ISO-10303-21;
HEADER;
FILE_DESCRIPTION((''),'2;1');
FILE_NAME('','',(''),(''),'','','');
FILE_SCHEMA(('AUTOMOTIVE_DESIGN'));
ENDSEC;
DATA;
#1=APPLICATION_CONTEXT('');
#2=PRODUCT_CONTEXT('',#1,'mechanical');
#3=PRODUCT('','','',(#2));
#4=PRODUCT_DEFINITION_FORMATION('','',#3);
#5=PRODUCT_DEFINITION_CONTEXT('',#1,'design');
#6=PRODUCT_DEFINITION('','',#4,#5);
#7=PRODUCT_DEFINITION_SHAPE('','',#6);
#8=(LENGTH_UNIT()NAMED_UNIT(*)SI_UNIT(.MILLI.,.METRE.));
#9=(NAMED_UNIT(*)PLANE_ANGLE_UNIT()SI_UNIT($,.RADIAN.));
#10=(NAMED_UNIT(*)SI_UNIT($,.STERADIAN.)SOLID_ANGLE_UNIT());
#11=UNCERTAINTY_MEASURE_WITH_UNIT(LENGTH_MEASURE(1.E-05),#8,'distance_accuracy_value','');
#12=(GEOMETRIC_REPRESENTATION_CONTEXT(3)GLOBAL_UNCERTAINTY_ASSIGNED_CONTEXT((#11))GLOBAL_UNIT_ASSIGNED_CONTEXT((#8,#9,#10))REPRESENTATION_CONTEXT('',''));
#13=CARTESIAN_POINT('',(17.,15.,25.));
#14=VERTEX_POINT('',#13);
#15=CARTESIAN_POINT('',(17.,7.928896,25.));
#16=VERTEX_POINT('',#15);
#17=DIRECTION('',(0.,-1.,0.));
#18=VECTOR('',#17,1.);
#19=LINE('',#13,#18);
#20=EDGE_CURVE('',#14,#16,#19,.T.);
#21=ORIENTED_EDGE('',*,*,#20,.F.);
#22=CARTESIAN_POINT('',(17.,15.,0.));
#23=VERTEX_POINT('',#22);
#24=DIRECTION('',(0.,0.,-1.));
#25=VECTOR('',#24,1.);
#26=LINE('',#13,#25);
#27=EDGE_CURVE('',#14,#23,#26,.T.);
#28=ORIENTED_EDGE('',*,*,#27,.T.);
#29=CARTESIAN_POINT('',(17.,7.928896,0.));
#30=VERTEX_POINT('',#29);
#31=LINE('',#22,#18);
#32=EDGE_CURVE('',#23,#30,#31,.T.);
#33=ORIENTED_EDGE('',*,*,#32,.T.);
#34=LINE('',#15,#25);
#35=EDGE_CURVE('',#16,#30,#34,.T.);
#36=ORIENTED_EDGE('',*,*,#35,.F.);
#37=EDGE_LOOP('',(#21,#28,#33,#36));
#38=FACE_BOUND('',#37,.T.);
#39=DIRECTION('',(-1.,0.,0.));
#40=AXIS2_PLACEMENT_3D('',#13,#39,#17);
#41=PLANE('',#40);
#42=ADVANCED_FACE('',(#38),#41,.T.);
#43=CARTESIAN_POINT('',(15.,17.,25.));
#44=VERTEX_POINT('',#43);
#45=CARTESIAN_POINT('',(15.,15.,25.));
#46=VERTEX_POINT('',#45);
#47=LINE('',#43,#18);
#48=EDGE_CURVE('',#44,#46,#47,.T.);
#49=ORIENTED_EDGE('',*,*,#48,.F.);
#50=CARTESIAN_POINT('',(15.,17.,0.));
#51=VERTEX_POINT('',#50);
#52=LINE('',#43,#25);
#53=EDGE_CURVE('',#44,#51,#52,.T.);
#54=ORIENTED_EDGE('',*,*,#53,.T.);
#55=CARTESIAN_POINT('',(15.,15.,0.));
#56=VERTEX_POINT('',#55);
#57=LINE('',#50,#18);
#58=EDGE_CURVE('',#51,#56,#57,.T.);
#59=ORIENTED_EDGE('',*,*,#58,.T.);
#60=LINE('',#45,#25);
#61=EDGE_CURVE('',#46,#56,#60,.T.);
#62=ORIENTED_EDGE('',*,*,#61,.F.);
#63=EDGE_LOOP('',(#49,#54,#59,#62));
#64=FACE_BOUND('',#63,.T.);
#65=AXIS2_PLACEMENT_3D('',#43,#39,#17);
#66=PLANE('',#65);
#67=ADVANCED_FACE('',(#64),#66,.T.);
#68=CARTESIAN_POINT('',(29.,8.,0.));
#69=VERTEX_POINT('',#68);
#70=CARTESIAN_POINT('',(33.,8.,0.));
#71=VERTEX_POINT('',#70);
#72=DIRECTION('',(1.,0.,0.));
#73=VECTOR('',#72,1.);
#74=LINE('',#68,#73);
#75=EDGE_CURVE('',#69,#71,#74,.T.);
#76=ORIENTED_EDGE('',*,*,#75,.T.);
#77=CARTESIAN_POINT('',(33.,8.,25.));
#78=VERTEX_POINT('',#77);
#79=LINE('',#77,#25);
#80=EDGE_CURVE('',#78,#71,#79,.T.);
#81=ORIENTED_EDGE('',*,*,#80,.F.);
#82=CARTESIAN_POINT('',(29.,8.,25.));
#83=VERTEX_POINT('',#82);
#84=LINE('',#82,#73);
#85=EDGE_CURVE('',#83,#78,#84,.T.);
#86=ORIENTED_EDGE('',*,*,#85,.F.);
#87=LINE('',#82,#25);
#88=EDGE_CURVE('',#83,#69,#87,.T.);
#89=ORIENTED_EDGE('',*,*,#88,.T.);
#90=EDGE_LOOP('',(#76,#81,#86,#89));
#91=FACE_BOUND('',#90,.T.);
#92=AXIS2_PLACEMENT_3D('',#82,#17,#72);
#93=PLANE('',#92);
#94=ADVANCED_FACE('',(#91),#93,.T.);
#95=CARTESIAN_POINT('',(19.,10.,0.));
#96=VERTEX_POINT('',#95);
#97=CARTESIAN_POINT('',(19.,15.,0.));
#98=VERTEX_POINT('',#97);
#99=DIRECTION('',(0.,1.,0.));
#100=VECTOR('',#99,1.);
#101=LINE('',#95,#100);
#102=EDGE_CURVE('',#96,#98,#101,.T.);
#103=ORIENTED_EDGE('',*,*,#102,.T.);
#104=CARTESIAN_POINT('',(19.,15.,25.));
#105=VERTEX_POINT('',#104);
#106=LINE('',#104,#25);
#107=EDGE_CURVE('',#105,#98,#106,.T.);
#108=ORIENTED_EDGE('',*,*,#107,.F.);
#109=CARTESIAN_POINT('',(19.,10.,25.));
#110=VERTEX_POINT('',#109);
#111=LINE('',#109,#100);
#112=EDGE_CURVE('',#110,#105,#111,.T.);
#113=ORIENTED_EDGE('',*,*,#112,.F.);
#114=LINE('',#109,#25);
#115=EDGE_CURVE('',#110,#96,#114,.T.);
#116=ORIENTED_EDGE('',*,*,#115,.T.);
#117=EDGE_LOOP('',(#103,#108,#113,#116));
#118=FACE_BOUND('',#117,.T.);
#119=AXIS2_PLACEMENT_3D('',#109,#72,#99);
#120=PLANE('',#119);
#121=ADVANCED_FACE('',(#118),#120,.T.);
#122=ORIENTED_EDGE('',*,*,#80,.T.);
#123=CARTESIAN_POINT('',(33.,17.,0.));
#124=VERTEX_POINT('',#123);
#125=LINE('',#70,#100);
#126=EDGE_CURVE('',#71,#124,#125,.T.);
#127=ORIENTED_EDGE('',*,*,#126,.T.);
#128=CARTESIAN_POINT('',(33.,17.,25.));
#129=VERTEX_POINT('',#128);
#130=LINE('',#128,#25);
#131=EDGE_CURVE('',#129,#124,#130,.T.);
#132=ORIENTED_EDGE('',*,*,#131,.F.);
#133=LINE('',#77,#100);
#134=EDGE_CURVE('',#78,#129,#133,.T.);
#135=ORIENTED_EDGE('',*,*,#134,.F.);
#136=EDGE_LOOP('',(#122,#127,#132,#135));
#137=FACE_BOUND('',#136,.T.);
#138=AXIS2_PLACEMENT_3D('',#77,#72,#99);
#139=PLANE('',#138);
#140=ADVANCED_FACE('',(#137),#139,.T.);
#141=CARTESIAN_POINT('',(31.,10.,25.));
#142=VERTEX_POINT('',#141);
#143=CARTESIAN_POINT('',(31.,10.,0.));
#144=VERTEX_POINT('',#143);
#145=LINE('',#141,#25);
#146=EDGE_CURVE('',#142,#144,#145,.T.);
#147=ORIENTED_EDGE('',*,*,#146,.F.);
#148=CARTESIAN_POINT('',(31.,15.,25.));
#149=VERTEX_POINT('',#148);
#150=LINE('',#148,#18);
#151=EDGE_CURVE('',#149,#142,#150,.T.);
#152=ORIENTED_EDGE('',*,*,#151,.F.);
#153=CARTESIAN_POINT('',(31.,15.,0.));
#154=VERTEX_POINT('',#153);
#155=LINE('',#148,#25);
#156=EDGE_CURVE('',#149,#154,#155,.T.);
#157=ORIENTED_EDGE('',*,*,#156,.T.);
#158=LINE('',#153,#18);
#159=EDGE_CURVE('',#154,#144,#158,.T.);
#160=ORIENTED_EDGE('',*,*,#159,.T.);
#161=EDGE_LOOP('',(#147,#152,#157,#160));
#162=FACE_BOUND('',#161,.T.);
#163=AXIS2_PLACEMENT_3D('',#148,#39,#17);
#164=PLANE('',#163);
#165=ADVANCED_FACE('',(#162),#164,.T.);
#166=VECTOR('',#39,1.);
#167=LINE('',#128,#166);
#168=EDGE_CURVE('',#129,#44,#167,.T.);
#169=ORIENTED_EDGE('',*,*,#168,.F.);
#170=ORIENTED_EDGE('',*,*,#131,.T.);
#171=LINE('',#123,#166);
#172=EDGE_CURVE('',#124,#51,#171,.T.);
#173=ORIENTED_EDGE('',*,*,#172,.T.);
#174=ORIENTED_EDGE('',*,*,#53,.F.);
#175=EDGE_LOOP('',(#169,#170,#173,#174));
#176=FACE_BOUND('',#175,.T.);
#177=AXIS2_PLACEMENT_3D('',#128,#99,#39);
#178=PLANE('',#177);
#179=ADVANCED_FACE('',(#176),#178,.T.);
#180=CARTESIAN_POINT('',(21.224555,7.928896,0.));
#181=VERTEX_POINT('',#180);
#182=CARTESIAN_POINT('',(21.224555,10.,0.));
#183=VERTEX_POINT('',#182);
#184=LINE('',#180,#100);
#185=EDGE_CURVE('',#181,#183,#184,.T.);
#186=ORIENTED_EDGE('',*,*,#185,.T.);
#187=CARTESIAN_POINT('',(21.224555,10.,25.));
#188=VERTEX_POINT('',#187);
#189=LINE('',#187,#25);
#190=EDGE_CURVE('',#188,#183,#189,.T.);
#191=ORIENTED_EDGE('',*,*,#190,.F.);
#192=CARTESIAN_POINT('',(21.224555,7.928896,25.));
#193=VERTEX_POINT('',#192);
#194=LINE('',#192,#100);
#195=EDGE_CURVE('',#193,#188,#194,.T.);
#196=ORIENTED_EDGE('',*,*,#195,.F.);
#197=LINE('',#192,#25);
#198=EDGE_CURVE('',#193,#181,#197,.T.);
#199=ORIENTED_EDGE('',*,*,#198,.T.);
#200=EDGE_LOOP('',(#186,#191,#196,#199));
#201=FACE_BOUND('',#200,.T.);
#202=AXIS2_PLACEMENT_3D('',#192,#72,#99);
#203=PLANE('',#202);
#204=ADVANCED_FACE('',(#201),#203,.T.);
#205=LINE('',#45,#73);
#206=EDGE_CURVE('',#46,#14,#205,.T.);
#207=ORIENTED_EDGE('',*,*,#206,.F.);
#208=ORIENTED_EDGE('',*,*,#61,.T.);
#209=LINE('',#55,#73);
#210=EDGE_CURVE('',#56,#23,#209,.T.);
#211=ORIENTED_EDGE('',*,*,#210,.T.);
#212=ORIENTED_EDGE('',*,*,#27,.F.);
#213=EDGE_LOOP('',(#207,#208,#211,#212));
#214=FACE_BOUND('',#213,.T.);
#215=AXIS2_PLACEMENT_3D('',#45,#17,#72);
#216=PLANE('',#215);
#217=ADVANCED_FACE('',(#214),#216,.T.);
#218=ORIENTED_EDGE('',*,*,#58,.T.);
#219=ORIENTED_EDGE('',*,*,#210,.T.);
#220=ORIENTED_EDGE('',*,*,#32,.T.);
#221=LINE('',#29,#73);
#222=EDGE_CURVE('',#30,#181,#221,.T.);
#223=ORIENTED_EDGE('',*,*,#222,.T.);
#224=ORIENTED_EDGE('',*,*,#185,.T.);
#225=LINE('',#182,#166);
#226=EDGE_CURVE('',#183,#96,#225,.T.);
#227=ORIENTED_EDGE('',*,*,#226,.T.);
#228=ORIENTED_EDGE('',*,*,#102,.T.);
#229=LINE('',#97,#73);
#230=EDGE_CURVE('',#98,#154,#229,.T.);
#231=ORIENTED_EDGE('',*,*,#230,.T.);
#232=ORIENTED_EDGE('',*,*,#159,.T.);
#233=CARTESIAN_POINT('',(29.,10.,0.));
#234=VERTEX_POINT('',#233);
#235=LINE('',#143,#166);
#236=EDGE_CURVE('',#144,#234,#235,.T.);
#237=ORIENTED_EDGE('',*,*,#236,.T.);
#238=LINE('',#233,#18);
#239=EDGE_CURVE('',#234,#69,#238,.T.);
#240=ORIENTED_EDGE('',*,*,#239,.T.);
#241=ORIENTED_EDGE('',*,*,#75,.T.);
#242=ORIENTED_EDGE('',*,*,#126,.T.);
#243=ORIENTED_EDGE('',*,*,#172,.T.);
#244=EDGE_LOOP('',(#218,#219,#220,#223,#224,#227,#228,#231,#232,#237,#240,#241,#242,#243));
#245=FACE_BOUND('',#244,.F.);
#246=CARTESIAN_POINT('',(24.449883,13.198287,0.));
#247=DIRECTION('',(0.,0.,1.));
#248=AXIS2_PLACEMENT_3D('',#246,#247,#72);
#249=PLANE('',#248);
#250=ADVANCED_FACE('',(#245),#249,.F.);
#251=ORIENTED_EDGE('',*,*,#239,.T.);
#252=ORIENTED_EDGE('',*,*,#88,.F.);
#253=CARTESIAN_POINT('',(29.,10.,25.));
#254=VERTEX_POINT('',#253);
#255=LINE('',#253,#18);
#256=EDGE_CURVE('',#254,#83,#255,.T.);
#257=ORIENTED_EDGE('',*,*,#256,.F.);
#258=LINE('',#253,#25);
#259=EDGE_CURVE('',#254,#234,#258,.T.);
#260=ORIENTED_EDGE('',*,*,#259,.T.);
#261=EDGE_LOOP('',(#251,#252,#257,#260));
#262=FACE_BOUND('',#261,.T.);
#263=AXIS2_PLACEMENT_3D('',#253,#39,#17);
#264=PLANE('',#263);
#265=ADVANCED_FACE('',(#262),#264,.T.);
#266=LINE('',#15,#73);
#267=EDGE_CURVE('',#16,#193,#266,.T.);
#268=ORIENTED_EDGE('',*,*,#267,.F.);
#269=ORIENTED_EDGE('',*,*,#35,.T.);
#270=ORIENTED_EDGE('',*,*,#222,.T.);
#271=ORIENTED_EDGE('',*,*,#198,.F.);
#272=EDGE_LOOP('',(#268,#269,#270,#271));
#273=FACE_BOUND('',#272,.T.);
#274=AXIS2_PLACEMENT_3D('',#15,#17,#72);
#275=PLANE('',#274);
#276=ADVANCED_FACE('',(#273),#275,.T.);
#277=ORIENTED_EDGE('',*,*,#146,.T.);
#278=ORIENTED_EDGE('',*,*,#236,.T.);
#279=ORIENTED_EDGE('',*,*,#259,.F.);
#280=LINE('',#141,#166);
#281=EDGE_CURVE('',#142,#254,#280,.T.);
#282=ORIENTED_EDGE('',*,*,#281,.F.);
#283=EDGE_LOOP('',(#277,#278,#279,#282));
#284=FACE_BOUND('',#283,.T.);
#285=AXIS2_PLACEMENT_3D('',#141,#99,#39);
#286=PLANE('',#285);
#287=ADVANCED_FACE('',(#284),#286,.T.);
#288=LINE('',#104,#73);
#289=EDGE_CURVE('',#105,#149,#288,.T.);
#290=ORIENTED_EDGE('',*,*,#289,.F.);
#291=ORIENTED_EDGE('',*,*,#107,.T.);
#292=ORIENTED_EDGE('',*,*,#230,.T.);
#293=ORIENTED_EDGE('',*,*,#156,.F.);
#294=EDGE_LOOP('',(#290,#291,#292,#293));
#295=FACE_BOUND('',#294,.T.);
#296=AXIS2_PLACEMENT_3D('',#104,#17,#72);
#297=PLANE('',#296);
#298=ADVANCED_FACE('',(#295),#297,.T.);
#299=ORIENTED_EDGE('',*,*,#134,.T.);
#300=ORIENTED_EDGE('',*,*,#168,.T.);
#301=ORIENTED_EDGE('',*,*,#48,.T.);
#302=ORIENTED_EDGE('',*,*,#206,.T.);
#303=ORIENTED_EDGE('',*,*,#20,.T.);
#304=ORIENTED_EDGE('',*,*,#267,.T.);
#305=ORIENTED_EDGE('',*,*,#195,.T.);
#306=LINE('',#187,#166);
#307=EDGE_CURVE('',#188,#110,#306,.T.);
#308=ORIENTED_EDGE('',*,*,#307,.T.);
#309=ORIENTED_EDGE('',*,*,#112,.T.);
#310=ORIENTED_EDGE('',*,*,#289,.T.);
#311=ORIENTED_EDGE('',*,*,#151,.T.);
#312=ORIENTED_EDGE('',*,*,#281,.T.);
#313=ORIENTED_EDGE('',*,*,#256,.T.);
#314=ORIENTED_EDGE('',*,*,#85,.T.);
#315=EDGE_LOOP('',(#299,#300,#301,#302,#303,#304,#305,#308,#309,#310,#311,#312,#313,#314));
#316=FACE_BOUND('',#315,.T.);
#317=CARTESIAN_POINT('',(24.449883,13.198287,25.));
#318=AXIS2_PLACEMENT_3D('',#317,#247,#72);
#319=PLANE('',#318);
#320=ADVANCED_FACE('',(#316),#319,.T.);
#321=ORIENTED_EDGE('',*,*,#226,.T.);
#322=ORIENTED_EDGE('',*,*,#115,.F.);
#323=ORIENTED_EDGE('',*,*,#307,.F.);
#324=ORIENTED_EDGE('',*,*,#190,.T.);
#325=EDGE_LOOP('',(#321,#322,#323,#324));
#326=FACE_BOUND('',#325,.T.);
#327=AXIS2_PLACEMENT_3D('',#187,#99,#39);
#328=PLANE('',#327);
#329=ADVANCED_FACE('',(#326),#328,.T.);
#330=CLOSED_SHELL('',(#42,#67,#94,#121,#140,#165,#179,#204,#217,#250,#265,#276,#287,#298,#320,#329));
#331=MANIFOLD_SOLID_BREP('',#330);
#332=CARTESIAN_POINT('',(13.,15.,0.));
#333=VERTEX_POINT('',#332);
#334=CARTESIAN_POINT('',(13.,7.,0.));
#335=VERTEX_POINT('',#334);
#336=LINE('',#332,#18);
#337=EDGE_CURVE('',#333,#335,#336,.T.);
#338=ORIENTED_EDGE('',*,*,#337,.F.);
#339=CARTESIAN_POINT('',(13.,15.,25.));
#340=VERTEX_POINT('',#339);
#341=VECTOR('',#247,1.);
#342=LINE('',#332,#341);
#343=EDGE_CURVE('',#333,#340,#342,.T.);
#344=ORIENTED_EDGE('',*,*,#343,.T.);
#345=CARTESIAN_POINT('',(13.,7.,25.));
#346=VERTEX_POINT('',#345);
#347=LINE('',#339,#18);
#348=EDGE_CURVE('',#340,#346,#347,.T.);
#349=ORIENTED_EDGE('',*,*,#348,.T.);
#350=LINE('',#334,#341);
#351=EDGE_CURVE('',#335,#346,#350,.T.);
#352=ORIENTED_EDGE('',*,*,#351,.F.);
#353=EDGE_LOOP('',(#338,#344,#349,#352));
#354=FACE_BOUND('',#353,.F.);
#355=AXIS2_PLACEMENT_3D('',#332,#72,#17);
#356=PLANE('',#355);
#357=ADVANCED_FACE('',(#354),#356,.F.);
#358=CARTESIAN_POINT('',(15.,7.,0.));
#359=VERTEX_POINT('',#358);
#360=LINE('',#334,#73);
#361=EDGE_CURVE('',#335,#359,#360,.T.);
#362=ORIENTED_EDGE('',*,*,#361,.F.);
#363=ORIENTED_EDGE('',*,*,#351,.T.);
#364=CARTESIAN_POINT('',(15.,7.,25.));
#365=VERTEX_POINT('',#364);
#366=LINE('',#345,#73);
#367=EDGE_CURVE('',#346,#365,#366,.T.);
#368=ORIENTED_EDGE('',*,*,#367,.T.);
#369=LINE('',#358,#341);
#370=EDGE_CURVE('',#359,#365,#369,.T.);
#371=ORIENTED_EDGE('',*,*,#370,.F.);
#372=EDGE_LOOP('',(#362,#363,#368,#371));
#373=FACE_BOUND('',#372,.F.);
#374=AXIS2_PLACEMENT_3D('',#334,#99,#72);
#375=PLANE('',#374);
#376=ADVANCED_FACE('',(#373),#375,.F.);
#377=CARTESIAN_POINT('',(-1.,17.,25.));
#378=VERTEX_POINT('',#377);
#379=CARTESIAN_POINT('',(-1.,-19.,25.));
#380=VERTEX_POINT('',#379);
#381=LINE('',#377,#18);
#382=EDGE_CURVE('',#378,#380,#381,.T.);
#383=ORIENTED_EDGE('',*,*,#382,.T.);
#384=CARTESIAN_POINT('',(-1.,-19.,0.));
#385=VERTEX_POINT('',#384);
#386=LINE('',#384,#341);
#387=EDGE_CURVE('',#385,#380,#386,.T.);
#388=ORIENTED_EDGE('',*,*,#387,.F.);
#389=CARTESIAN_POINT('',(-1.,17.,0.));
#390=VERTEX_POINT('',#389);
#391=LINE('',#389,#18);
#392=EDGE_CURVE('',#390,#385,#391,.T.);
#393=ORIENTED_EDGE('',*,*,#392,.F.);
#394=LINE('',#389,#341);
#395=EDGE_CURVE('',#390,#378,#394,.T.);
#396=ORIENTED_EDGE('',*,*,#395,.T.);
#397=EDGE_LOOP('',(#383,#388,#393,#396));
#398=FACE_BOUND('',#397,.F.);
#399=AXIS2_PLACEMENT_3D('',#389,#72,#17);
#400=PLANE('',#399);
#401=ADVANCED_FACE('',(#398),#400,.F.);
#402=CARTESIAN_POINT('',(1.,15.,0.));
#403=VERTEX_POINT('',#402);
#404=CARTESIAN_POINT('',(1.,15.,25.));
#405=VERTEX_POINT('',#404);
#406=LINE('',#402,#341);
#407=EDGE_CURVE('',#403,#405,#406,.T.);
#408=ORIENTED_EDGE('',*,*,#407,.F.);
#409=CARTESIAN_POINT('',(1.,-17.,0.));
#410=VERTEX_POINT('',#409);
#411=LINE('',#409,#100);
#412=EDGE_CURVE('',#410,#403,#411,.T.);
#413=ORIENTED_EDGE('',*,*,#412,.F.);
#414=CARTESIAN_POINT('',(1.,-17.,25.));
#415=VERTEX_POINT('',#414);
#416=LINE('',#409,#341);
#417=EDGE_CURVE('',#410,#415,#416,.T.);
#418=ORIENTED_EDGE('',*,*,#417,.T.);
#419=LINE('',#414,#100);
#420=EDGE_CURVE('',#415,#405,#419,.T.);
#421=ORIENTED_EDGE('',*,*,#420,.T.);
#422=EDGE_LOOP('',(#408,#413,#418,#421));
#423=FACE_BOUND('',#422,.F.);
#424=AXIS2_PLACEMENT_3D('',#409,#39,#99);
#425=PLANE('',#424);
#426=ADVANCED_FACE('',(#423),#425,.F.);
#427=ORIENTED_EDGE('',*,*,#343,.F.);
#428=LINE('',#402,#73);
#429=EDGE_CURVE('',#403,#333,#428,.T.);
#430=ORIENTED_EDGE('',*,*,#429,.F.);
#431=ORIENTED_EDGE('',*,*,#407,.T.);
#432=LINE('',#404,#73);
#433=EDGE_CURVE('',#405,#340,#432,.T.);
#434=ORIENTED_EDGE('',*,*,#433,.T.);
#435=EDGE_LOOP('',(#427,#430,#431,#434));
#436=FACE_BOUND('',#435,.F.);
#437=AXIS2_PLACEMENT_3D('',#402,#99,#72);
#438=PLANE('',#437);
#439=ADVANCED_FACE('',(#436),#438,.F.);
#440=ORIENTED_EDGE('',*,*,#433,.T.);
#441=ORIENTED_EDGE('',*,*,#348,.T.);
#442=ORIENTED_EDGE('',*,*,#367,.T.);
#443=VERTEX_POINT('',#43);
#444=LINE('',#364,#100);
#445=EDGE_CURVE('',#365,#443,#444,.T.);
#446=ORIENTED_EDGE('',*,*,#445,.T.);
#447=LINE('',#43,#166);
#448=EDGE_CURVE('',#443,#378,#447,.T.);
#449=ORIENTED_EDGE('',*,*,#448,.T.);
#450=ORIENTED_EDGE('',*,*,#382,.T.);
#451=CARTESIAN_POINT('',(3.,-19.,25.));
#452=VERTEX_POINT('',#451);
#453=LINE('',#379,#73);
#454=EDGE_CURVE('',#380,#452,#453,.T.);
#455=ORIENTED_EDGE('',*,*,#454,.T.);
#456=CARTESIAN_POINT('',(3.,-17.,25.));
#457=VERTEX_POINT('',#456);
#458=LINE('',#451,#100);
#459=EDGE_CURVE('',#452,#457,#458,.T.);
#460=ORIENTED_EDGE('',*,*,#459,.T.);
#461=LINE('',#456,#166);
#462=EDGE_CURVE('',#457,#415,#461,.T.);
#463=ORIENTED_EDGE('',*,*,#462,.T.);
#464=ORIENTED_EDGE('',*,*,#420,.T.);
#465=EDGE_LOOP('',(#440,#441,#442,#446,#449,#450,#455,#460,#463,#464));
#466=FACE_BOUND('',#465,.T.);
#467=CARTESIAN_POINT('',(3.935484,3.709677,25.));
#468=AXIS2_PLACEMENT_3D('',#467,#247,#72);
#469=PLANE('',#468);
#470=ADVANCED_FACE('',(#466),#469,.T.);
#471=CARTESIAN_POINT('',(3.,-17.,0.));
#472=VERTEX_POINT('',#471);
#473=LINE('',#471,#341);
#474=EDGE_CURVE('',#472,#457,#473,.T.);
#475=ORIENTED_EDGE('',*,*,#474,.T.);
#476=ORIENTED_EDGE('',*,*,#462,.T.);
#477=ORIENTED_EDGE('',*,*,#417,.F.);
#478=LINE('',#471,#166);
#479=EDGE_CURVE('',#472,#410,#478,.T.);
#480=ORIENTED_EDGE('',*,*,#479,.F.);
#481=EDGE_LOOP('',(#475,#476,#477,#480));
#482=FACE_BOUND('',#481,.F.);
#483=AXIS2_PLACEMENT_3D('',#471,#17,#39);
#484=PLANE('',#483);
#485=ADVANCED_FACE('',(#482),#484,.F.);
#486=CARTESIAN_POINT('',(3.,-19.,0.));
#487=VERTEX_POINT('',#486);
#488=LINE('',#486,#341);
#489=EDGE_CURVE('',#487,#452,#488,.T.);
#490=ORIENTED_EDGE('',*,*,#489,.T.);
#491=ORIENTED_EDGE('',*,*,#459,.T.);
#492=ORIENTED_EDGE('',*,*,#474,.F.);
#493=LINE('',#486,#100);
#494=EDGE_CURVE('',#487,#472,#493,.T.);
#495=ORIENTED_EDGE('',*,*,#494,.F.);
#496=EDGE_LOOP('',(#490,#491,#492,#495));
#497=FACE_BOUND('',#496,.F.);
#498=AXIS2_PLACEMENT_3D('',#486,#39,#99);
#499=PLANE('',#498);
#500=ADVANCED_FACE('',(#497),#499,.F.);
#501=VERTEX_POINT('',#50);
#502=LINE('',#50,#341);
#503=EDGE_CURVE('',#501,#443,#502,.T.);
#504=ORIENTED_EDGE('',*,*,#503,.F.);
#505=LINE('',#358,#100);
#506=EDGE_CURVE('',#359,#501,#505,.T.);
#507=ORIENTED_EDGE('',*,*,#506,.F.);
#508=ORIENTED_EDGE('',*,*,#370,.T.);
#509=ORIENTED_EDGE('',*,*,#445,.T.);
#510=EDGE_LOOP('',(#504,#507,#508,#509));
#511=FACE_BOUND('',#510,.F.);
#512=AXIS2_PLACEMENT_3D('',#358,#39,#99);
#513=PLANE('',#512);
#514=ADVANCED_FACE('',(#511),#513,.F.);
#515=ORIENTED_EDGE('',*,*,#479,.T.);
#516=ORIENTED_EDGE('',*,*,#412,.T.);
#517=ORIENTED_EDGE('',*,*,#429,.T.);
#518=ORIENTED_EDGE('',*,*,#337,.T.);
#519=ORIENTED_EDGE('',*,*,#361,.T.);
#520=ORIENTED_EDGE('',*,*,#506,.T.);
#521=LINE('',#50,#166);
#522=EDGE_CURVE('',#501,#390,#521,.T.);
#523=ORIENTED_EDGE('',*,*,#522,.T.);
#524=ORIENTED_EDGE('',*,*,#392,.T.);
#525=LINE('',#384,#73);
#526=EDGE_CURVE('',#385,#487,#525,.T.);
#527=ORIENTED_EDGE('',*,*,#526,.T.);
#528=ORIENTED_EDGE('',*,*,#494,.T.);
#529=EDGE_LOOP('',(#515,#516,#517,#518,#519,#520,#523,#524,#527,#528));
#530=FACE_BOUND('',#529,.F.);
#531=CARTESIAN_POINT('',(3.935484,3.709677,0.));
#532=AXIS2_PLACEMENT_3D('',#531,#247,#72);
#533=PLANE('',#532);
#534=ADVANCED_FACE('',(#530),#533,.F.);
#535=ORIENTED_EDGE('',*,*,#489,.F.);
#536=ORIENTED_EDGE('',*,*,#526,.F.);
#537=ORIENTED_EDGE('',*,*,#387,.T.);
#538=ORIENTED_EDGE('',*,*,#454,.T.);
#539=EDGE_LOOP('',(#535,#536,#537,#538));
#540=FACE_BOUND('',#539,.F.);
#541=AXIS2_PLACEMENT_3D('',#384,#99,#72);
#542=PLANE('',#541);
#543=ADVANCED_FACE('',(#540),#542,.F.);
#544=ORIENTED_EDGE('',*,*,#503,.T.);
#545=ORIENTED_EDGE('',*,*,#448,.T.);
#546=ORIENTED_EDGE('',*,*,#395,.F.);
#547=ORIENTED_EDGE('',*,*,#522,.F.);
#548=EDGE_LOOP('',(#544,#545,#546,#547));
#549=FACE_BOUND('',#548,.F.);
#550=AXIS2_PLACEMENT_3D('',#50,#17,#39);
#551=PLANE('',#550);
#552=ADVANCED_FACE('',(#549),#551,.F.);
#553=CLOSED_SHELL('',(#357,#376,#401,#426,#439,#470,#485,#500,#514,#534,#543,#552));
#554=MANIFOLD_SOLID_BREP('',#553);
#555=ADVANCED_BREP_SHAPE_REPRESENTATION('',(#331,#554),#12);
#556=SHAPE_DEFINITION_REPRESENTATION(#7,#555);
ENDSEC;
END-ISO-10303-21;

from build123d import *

# Parameters (mm, degrees)
F1_DEPTH = 25
F3_DEPTH = 25


with BuildPart() as f1:
    # F0 (on Top) → F1 (new body)
    with BuildSketch(Plane.XY):
        Polygon((13, 17), (1, 17), (-1, 17), (-1, 15), (-1, -17), (-1, -19), (3, -19), (3, -17), (1, -17), (1, 15), (13, 15), (13, 7), (15, 7), (15, 15), (15, 17), align=None)
    extrude(amount=F1_DEPTH)


with BuildPart() as f3:
    # F2 (on face) → F3 (new body)
    with BuildSketch(Plane.XY.offset(25)):
        Polygon((33, 17), (15, 17), (15, 15), (17, 15), (17, 7.928896), (19, 7.928896), (21.224555, 7.928896), (21.224555, 10), (19, 10), (19, 15), (31, 15), (31, 10), (29, 10), (29, 8), (31, 8), (33, 8), (33, 10), (33, 15), align=None)
    extrude(amount=-F3_DEPTH)


solid = Compound([f1.part, f3.part])
